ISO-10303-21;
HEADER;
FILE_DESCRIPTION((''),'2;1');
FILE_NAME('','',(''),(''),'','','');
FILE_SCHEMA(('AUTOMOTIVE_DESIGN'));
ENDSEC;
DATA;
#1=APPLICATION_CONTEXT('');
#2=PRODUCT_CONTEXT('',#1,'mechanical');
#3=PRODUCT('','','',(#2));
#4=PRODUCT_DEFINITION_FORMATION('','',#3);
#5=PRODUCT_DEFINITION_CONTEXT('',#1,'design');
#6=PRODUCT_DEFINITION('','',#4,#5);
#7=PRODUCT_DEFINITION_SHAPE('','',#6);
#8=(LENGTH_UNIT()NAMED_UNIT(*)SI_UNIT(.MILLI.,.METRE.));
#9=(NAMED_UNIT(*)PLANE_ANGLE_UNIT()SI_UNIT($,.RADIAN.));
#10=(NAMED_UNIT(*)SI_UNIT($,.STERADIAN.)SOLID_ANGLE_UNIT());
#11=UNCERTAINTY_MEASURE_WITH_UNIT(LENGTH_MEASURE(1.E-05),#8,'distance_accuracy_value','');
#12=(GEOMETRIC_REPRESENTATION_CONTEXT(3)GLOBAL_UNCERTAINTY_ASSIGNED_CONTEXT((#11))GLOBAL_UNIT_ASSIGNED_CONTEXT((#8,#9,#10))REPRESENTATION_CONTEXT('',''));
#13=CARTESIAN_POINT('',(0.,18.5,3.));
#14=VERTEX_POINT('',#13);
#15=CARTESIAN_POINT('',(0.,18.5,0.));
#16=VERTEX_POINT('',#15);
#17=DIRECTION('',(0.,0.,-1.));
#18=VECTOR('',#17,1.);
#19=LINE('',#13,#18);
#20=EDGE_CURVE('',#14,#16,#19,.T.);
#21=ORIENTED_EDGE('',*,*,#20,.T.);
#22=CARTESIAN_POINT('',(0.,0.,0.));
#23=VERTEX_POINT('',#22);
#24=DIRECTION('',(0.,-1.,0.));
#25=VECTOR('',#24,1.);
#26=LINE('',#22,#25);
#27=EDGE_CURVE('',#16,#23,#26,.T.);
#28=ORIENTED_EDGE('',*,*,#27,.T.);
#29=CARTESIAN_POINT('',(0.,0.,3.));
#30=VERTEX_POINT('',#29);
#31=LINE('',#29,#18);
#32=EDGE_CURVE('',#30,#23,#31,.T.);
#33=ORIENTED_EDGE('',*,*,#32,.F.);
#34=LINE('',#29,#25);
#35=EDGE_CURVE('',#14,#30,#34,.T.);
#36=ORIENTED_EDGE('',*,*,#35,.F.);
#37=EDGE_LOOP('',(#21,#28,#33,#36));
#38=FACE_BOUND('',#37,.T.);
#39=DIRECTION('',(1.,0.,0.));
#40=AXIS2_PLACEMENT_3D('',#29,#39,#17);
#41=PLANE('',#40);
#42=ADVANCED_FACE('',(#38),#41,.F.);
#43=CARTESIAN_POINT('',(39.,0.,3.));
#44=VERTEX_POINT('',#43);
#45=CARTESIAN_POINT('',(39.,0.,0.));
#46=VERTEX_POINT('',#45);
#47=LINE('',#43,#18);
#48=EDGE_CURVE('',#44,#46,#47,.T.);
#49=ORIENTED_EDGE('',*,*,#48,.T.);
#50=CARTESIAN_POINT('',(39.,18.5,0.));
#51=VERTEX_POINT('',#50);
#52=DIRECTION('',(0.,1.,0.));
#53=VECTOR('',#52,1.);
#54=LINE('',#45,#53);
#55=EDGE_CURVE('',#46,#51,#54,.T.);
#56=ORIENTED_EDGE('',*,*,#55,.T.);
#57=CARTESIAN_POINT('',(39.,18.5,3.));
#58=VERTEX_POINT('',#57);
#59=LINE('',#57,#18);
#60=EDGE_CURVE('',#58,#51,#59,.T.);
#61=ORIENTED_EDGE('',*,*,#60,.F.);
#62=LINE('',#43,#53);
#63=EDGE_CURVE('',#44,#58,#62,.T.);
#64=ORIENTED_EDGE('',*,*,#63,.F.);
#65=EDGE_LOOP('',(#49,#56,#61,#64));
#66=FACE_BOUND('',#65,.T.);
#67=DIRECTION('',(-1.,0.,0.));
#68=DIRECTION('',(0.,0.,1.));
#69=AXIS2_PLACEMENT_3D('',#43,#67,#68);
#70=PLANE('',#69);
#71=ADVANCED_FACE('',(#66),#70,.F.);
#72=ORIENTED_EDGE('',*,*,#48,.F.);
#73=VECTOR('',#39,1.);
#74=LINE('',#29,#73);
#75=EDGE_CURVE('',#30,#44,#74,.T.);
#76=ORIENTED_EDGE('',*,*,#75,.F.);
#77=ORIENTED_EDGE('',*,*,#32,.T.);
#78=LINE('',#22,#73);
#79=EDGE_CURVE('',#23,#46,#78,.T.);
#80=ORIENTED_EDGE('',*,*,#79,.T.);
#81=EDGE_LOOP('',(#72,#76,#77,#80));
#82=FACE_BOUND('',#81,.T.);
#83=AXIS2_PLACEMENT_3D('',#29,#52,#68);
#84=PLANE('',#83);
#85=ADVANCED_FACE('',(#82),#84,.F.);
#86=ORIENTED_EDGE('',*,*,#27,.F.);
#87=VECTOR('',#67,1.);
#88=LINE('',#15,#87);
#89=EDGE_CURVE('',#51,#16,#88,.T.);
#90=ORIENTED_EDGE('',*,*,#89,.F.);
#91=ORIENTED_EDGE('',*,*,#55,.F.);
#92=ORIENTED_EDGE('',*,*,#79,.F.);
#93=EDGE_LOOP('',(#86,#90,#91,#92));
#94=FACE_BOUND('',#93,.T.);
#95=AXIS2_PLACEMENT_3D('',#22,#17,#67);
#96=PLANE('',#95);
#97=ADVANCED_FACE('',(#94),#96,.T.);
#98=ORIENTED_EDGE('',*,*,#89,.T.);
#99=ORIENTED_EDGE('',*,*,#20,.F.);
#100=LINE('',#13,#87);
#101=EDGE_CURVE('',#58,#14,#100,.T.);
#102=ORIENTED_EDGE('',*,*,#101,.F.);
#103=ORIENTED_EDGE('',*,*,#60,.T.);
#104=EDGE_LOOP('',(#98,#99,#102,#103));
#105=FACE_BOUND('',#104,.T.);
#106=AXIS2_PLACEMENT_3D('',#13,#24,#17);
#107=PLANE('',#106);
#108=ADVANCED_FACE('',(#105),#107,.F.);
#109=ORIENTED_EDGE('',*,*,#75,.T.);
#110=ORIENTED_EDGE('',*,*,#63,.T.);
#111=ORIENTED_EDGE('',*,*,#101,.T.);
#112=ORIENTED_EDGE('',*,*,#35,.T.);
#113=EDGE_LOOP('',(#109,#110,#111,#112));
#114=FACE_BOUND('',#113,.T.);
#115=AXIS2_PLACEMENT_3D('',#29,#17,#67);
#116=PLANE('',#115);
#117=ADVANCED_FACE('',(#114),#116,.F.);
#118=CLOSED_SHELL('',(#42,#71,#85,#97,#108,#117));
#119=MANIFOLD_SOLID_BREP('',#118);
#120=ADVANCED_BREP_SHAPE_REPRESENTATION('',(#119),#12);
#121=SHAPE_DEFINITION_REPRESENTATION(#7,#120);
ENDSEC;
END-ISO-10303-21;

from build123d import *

# Parameters (mm, degrees)
SKETCH1_W           = 39
SKETCH1_H           = 18.5
BOSS_EXTRUDE1_DEPTH = 3


with BuildPart() as part:
    # Sketch1 → Boss-Extrude1 (new body)
    with BuildSketch(Plane.XY):
        with Locations((19.5, 9.25)):
            Rectangle(SKETCH1_W, SKETCH1_H)
    extrude(amount=BOSS_EXTRUDE1_DEPTH)


solid = part.part
